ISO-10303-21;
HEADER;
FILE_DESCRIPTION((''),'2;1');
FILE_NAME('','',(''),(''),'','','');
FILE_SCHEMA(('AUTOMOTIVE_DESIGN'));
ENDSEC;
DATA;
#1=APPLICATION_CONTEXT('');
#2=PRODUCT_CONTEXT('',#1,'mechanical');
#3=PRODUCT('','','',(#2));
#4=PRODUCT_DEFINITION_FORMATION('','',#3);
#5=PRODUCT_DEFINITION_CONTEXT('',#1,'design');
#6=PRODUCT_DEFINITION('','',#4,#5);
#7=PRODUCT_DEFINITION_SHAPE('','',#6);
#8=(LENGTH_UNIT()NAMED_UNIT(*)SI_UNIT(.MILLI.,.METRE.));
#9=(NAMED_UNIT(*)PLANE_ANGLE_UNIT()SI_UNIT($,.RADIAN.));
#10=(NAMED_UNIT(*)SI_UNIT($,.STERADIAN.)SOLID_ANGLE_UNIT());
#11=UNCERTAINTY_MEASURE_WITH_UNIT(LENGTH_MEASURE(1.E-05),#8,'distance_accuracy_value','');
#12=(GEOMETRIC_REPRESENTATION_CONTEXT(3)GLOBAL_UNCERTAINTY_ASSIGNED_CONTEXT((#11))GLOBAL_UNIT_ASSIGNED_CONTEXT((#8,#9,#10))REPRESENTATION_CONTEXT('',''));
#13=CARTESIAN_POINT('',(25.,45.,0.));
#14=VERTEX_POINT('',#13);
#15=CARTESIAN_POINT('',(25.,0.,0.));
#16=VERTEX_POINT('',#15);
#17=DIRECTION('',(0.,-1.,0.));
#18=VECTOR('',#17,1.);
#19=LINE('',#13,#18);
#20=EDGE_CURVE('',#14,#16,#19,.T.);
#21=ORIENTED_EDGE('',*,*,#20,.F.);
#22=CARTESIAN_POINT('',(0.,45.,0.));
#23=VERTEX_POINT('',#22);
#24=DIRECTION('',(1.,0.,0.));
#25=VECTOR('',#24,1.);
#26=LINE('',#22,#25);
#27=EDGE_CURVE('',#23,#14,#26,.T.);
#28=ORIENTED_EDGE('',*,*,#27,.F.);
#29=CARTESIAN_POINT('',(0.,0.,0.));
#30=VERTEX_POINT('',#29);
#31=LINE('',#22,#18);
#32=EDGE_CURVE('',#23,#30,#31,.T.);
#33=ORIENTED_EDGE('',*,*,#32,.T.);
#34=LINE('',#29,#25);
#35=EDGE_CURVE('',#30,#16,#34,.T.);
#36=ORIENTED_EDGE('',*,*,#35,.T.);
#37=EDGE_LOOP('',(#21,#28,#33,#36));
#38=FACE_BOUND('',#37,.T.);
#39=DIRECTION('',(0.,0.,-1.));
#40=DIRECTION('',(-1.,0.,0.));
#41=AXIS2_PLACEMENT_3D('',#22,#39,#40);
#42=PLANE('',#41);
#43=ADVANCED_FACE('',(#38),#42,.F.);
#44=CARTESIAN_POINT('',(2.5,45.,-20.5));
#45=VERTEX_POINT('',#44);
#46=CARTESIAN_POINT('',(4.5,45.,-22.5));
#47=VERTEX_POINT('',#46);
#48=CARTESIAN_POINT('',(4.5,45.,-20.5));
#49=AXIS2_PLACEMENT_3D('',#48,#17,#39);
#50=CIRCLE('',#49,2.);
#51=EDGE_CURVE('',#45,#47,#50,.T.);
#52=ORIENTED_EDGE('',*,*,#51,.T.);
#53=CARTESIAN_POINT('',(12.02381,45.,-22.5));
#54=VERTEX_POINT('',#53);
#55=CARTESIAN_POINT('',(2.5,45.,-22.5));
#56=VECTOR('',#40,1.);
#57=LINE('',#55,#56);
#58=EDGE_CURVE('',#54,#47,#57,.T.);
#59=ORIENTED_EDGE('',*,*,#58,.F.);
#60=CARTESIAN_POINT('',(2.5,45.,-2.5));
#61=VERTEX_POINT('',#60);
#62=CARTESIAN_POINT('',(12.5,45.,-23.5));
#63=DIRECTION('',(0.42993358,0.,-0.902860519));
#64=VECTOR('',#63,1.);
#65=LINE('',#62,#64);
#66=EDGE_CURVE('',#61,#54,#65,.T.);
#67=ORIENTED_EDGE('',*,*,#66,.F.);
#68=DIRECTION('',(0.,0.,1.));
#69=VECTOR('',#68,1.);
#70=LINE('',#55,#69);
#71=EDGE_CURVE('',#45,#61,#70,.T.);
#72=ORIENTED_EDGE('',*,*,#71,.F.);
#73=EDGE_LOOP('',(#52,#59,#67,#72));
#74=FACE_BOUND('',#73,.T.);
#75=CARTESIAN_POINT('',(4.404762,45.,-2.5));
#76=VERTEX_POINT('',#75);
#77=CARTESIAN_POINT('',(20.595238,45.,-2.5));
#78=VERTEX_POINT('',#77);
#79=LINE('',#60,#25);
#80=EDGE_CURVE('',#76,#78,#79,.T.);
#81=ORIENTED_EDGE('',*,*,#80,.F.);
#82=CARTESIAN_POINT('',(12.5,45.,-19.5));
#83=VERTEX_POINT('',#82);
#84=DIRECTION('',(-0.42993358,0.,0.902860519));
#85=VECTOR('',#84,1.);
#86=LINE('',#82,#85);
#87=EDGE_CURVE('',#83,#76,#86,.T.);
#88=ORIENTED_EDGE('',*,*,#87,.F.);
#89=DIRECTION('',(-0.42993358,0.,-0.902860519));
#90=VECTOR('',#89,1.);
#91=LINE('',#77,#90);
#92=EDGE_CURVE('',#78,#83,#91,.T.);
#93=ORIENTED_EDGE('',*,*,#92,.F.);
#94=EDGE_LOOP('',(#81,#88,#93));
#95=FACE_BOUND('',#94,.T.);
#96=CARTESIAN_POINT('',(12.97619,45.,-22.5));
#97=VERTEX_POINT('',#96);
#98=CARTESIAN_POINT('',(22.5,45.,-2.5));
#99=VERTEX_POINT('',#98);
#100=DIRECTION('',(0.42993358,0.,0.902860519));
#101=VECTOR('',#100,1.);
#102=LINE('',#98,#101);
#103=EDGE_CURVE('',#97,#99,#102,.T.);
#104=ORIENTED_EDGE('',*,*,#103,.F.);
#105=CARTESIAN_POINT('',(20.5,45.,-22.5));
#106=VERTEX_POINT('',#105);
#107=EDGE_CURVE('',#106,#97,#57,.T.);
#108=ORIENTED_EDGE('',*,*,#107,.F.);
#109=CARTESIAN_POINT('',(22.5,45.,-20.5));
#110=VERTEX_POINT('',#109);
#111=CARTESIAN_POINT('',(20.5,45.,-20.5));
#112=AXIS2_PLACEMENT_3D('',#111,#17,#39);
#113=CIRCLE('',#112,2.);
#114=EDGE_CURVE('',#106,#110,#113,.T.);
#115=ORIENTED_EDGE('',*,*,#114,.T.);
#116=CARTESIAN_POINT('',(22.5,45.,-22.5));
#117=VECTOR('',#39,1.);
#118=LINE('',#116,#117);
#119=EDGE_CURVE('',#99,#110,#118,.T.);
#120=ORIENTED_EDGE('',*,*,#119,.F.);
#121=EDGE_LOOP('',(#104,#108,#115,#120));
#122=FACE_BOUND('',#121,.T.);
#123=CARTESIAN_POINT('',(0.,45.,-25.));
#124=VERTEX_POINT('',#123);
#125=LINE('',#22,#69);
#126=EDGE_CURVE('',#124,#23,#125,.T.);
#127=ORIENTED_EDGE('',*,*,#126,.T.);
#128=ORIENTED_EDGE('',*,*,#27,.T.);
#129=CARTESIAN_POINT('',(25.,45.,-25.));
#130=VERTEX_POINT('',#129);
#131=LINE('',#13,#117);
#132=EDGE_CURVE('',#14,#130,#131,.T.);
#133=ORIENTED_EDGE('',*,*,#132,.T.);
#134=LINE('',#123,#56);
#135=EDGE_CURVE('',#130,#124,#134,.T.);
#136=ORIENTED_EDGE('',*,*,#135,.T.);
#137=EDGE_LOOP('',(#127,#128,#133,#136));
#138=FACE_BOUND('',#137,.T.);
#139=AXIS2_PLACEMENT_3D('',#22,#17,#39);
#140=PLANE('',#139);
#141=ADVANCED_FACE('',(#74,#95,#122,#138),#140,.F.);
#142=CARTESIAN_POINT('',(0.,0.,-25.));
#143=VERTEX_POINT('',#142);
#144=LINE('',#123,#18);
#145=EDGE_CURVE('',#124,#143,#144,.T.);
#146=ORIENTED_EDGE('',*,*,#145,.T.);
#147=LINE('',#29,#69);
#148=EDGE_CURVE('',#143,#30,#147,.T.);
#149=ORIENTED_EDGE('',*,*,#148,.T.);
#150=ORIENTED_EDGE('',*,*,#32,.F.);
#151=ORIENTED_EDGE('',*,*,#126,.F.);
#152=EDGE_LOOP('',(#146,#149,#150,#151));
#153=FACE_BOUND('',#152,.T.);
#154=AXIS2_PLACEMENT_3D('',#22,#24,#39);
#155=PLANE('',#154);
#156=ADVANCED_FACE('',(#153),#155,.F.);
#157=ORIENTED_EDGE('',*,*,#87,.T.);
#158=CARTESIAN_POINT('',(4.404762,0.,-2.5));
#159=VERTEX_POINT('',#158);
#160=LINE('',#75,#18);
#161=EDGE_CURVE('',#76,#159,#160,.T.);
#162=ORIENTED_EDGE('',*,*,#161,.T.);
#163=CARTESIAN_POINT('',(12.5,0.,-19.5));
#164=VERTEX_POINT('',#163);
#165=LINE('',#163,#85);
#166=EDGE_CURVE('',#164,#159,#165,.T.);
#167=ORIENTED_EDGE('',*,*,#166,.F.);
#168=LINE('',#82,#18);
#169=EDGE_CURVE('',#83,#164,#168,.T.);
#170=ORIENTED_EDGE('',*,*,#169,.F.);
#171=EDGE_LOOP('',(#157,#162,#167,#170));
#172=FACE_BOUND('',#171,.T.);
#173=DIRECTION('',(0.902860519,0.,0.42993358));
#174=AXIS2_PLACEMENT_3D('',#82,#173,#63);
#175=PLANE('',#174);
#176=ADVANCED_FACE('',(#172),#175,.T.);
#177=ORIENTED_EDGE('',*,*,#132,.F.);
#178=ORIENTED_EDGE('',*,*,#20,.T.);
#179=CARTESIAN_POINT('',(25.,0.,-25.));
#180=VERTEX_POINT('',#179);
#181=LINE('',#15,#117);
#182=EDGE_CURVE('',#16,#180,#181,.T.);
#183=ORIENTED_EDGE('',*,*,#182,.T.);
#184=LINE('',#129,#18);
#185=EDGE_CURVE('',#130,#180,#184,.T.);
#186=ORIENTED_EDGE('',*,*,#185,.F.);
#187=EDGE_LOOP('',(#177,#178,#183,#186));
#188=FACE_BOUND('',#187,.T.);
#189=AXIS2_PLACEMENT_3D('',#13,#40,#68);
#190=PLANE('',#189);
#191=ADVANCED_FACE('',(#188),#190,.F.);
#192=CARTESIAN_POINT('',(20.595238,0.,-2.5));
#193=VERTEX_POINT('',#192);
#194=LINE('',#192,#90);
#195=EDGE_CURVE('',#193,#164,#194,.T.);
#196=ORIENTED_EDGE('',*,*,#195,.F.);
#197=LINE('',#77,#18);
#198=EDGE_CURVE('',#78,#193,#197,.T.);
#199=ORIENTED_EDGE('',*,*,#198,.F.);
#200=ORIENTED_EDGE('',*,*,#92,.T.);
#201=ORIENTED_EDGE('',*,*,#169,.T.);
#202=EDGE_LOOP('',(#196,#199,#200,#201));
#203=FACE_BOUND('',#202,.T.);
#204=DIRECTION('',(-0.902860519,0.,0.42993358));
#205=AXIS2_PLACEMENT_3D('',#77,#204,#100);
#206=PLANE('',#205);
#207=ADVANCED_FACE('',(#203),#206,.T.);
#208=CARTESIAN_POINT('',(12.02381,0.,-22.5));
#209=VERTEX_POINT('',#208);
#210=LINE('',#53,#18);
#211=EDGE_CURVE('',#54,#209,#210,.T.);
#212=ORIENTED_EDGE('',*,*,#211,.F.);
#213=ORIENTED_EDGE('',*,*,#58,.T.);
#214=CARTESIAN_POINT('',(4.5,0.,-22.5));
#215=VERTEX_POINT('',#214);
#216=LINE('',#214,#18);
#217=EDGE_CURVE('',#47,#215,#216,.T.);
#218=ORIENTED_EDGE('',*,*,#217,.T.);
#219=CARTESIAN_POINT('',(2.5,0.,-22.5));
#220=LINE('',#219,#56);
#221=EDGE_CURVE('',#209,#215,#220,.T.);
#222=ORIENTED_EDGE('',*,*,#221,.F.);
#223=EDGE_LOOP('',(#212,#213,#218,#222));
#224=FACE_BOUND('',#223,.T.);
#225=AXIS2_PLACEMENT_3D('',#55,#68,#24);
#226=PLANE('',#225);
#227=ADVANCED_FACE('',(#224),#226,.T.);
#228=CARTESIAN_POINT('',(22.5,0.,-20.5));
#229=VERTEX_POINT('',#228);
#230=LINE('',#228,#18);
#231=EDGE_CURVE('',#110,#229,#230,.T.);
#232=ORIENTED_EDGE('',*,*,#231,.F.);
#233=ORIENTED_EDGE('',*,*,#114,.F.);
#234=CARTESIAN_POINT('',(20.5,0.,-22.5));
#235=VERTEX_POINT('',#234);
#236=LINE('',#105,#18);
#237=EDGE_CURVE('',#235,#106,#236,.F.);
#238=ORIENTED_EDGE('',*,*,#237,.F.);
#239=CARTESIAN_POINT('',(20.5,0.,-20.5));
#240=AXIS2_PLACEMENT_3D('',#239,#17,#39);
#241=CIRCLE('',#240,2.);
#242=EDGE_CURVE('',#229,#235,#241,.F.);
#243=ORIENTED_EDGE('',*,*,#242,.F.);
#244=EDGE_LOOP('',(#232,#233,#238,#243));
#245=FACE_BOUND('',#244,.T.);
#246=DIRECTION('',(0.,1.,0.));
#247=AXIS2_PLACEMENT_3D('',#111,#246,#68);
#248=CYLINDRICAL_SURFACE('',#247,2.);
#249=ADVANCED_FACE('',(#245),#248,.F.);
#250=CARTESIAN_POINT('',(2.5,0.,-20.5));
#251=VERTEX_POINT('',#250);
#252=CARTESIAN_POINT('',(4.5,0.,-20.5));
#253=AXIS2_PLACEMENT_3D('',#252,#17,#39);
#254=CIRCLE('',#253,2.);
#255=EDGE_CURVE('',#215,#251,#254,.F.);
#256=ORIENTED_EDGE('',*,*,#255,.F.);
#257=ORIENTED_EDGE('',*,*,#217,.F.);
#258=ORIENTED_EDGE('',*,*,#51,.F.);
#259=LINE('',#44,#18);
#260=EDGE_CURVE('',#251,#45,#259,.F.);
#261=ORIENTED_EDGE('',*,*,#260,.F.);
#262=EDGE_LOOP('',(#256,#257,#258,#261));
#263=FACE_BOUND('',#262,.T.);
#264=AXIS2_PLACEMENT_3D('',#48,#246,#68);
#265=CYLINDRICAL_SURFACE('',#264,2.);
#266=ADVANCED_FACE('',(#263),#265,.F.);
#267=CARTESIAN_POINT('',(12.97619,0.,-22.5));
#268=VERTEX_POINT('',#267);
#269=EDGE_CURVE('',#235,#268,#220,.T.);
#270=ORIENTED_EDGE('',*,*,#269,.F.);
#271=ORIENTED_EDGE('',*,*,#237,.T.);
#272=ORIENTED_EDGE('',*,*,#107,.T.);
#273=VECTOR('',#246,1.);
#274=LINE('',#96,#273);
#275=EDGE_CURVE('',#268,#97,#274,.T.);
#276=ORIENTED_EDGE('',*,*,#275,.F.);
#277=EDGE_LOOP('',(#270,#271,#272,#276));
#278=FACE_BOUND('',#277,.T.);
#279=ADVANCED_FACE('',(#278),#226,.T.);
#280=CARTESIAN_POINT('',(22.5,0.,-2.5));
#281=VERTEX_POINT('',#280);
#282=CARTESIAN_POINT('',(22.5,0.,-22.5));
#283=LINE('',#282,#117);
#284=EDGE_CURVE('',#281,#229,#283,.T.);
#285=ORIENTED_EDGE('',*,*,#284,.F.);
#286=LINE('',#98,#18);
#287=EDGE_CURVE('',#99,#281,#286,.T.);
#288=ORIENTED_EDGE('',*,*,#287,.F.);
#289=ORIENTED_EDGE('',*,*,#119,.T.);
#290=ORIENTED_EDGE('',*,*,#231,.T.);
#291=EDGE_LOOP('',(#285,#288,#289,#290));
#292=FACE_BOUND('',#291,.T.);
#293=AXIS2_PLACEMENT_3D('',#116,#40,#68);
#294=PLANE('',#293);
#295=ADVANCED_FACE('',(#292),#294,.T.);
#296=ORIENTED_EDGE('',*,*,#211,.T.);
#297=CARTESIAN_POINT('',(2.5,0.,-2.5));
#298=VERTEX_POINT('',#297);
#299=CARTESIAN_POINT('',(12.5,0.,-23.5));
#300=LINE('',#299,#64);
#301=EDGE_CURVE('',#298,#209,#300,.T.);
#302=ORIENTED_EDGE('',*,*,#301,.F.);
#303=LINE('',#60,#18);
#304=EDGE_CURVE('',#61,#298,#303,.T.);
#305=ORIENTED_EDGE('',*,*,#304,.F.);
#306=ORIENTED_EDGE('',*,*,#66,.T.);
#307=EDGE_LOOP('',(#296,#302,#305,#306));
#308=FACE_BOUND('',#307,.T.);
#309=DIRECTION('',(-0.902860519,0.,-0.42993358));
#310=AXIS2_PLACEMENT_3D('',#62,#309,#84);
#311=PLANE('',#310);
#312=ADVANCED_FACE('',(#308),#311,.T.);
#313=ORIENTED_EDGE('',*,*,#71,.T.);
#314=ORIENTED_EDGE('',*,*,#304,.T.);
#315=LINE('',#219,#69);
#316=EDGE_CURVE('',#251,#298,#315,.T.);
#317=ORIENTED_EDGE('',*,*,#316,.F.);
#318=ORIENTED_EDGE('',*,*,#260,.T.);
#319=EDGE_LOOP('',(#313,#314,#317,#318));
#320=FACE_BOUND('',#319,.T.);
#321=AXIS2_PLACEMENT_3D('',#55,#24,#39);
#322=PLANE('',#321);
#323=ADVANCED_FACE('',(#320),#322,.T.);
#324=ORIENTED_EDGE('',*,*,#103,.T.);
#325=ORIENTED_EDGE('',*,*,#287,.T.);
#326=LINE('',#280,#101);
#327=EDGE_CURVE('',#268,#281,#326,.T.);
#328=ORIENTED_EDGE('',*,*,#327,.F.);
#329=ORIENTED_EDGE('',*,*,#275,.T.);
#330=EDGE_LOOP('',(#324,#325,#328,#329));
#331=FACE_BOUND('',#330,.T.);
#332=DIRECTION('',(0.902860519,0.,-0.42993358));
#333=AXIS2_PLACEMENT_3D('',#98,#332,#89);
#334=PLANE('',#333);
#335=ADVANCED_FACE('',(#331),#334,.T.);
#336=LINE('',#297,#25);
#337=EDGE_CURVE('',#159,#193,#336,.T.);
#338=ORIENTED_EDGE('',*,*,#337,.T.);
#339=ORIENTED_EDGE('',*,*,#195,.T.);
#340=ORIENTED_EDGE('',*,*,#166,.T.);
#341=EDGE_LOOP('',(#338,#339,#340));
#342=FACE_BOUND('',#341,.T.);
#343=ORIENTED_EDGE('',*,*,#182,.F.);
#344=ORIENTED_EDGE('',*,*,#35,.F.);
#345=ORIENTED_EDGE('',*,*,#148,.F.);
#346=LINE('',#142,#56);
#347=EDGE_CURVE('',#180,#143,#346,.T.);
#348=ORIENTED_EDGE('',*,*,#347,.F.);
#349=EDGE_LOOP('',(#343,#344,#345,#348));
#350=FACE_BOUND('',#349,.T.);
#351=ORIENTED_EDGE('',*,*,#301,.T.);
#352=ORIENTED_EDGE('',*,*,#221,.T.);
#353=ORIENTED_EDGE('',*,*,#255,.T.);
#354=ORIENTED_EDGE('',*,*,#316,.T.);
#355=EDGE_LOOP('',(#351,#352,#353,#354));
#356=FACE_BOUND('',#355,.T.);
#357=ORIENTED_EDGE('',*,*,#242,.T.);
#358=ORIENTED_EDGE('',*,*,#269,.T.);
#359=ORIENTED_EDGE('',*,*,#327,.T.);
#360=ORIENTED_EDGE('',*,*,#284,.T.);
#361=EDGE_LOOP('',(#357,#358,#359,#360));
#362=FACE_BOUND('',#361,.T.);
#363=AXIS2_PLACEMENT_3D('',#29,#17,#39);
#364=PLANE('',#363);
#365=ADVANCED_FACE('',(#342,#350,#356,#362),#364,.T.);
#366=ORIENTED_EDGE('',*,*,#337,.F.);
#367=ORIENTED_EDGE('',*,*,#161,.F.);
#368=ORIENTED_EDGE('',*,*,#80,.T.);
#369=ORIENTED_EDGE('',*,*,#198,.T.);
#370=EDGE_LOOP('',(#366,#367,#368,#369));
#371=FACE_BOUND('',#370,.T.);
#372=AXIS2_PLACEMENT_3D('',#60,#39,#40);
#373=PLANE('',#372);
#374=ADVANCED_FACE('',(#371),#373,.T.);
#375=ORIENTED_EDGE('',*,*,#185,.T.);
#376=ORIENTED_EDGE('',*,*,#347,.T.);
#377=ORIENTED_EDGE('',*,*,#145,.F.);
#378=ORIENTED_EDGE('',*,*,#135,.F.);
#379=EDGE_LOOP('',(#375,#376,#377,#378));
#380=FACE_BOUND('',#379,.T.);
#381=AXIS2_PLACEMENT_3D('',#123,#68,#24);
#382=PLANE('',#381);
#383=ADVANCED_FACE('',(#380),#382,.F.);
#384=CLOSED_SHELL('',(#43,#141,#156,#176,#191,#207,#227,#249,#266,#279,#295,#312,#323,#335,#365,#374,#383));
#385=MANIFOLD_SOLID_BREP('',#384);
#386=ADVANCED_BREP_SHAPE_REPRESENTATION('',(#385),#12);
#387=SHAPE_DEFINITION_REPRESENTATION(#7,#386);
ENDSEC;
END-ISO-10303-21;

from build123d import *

# Parameters (mm, degrees)
SKETCH1_W           = 25
SKETCH1_H           = 25
SKETCH1_W_2         = 20
SKETCH1_H_2         = 20
BOSS_EXTRUDE1_DEPTH = 45
BOSS_EXTRUDE4_DEPTH = 45
FILLET2_R           = 2


with BuildPart() as part:
    # Sketch1 → Boss-Extrude1 (new body)
    with BuildSketch(Plane(origin=(0, 0, 0), x_dir=(1, 0, 0), z_dir=(0, 1, 0))):
        with Locations((12.5, 12.5)):
            Rectangle(SKETCH1_W, SKETCH1_H)
        with Locations((12.5, 12.5)):
            Rectangle(SKETCH1_W_2, SKETCH1_H_2, mode=Mode.SUBTRACT)
    extrude(amount=BOSS_EXTRUDE1_DEPTH)

    # Sketch3 → Boss-Extrude4 (add, through all)
    with BuildSketch(Plane.XZ):
        Polygon((22.5, -2.5), (12.5, -23.5), (2.5, -2.5), (4.404761905, -2.5), (12.5, -19.5), (20.595238095, -2.5), align=None)
    extrude(amount=-BOSS_EXTRUDE4_DEPTH)

    # Fillet2
    fillet2_edges = [part.edges().sort_by_distance(p)[0] for p in [
        (2.5, 22.5, -22.5),
        (22.5, 22.5, -22.5),
    ]]
    fillet(fillet2_edges, radius=FILLET2_R)


solid = part.part
